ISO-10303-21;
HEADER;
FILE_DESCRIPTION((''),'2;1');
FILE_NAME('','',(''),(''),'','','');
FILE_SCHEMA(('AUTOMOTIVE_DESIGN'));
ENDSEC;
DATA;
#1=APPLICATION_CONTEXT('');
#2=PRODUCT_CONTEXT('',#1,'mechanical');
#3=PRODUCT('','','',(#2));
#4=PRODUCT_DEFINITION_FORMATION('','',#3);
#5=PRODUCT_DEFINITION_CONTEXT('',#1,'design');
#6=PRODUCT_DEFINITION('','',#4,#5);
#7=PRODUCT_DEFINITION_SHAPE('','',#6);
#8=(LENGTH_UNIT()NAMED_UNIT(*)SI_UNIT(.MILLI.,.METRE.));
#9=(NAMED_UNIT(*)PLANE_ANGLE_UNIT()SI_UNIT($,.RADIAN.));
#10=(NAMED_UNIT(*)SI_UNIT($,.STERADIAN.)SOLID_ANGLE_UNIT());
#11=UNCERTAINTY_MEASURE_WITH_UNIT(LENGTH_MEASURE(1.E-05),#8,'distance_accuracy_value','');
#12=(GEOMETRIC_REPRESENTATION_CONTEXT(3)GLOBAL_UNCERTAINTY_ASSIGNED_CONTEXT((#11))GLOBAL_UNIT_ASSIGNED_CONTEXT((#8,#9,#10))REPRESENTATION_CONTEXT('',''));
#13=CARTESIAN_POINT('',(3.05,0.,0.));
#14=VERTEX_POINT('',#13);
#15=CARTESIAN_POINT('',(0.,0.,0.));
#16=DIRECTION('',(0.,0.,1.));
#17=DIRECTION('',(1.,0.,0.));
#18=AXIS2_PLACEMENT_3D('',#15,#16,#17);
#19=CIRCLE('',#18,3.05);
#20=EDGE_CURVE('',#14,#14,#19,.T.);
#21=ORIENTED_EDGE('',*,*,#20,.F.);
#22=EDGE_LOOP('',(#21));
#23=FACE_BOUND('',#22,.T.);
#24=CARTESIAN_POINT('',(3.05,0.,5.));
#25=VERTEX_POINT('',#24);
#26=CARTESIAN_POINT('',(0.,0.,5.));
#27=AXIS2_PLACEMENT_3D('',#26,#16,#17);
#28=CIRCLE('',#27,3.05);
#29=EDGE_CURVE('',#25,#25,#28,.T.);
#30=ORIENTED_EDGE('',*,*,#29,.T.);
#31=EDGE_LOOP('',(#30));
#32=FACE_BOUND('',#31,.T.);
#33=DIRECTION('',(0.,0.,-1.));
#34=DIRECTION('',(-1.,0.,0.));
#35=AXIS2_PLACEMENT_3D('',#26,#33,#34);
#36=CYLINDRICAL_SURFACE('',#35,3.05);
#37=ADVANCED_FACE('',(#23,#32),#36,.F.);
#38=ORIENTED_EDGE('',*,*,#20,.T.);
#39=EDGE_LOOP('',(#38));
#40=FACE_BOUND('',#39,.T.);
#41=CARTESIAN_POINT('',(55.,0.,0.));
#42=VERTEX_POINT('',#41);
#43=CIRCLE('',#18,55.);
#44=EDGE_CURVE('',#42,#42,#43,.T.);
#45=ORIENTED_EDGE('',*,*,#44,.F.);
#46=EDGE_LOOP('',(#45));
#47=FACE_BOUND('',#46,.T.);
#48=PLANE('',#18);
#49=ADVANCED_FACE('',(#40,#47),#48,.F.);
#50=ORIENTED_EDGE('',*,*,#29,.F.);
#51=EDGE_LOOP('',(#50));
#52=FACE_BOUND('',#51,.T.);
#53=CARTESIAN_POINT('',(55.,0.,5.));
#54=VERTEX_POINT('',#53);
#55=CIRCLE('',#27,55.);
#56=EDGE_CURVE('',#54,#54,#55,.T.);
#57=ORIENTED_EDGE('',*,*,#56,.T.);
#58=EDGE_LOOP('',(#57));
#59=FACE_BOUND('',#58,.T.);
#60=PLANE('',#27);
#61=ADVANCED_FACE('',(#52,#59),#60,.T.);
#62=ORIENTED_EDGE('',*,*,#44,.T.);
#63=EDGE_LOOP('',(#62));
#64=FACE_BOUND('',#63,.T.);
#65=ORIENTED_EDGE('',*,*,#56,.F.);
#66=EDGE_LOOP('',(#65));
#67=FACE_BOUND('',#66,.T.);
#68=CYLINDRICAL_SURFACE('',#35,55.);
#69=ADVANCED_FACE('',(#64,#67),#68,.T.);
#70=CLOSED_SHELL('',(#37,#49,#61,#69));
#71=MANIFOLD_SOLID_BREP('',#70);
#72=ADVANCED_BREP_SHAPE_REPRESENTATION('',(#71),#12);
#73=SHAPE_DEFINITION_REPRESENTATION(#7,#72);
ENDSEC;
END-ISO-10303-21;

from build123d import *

# Parameters (mm, degrees)
SKETCH_1_R      = 55
SKETCH_1_R_2    = 3.05
EXTRUDE_1_DEPTH = 5


with BuildPart() as part:
    # 草图1 → 凸台-拉伸1 (new body)
    with BuildSketch(Plane.XY):
        Circle(SKETCH_1_R)
        Circle(SKETCH_1_R_2, mode=Mode.SUBTRACT)
    extrude(amount=EXTRUDE_1_DEPTH)


solid = part.part
